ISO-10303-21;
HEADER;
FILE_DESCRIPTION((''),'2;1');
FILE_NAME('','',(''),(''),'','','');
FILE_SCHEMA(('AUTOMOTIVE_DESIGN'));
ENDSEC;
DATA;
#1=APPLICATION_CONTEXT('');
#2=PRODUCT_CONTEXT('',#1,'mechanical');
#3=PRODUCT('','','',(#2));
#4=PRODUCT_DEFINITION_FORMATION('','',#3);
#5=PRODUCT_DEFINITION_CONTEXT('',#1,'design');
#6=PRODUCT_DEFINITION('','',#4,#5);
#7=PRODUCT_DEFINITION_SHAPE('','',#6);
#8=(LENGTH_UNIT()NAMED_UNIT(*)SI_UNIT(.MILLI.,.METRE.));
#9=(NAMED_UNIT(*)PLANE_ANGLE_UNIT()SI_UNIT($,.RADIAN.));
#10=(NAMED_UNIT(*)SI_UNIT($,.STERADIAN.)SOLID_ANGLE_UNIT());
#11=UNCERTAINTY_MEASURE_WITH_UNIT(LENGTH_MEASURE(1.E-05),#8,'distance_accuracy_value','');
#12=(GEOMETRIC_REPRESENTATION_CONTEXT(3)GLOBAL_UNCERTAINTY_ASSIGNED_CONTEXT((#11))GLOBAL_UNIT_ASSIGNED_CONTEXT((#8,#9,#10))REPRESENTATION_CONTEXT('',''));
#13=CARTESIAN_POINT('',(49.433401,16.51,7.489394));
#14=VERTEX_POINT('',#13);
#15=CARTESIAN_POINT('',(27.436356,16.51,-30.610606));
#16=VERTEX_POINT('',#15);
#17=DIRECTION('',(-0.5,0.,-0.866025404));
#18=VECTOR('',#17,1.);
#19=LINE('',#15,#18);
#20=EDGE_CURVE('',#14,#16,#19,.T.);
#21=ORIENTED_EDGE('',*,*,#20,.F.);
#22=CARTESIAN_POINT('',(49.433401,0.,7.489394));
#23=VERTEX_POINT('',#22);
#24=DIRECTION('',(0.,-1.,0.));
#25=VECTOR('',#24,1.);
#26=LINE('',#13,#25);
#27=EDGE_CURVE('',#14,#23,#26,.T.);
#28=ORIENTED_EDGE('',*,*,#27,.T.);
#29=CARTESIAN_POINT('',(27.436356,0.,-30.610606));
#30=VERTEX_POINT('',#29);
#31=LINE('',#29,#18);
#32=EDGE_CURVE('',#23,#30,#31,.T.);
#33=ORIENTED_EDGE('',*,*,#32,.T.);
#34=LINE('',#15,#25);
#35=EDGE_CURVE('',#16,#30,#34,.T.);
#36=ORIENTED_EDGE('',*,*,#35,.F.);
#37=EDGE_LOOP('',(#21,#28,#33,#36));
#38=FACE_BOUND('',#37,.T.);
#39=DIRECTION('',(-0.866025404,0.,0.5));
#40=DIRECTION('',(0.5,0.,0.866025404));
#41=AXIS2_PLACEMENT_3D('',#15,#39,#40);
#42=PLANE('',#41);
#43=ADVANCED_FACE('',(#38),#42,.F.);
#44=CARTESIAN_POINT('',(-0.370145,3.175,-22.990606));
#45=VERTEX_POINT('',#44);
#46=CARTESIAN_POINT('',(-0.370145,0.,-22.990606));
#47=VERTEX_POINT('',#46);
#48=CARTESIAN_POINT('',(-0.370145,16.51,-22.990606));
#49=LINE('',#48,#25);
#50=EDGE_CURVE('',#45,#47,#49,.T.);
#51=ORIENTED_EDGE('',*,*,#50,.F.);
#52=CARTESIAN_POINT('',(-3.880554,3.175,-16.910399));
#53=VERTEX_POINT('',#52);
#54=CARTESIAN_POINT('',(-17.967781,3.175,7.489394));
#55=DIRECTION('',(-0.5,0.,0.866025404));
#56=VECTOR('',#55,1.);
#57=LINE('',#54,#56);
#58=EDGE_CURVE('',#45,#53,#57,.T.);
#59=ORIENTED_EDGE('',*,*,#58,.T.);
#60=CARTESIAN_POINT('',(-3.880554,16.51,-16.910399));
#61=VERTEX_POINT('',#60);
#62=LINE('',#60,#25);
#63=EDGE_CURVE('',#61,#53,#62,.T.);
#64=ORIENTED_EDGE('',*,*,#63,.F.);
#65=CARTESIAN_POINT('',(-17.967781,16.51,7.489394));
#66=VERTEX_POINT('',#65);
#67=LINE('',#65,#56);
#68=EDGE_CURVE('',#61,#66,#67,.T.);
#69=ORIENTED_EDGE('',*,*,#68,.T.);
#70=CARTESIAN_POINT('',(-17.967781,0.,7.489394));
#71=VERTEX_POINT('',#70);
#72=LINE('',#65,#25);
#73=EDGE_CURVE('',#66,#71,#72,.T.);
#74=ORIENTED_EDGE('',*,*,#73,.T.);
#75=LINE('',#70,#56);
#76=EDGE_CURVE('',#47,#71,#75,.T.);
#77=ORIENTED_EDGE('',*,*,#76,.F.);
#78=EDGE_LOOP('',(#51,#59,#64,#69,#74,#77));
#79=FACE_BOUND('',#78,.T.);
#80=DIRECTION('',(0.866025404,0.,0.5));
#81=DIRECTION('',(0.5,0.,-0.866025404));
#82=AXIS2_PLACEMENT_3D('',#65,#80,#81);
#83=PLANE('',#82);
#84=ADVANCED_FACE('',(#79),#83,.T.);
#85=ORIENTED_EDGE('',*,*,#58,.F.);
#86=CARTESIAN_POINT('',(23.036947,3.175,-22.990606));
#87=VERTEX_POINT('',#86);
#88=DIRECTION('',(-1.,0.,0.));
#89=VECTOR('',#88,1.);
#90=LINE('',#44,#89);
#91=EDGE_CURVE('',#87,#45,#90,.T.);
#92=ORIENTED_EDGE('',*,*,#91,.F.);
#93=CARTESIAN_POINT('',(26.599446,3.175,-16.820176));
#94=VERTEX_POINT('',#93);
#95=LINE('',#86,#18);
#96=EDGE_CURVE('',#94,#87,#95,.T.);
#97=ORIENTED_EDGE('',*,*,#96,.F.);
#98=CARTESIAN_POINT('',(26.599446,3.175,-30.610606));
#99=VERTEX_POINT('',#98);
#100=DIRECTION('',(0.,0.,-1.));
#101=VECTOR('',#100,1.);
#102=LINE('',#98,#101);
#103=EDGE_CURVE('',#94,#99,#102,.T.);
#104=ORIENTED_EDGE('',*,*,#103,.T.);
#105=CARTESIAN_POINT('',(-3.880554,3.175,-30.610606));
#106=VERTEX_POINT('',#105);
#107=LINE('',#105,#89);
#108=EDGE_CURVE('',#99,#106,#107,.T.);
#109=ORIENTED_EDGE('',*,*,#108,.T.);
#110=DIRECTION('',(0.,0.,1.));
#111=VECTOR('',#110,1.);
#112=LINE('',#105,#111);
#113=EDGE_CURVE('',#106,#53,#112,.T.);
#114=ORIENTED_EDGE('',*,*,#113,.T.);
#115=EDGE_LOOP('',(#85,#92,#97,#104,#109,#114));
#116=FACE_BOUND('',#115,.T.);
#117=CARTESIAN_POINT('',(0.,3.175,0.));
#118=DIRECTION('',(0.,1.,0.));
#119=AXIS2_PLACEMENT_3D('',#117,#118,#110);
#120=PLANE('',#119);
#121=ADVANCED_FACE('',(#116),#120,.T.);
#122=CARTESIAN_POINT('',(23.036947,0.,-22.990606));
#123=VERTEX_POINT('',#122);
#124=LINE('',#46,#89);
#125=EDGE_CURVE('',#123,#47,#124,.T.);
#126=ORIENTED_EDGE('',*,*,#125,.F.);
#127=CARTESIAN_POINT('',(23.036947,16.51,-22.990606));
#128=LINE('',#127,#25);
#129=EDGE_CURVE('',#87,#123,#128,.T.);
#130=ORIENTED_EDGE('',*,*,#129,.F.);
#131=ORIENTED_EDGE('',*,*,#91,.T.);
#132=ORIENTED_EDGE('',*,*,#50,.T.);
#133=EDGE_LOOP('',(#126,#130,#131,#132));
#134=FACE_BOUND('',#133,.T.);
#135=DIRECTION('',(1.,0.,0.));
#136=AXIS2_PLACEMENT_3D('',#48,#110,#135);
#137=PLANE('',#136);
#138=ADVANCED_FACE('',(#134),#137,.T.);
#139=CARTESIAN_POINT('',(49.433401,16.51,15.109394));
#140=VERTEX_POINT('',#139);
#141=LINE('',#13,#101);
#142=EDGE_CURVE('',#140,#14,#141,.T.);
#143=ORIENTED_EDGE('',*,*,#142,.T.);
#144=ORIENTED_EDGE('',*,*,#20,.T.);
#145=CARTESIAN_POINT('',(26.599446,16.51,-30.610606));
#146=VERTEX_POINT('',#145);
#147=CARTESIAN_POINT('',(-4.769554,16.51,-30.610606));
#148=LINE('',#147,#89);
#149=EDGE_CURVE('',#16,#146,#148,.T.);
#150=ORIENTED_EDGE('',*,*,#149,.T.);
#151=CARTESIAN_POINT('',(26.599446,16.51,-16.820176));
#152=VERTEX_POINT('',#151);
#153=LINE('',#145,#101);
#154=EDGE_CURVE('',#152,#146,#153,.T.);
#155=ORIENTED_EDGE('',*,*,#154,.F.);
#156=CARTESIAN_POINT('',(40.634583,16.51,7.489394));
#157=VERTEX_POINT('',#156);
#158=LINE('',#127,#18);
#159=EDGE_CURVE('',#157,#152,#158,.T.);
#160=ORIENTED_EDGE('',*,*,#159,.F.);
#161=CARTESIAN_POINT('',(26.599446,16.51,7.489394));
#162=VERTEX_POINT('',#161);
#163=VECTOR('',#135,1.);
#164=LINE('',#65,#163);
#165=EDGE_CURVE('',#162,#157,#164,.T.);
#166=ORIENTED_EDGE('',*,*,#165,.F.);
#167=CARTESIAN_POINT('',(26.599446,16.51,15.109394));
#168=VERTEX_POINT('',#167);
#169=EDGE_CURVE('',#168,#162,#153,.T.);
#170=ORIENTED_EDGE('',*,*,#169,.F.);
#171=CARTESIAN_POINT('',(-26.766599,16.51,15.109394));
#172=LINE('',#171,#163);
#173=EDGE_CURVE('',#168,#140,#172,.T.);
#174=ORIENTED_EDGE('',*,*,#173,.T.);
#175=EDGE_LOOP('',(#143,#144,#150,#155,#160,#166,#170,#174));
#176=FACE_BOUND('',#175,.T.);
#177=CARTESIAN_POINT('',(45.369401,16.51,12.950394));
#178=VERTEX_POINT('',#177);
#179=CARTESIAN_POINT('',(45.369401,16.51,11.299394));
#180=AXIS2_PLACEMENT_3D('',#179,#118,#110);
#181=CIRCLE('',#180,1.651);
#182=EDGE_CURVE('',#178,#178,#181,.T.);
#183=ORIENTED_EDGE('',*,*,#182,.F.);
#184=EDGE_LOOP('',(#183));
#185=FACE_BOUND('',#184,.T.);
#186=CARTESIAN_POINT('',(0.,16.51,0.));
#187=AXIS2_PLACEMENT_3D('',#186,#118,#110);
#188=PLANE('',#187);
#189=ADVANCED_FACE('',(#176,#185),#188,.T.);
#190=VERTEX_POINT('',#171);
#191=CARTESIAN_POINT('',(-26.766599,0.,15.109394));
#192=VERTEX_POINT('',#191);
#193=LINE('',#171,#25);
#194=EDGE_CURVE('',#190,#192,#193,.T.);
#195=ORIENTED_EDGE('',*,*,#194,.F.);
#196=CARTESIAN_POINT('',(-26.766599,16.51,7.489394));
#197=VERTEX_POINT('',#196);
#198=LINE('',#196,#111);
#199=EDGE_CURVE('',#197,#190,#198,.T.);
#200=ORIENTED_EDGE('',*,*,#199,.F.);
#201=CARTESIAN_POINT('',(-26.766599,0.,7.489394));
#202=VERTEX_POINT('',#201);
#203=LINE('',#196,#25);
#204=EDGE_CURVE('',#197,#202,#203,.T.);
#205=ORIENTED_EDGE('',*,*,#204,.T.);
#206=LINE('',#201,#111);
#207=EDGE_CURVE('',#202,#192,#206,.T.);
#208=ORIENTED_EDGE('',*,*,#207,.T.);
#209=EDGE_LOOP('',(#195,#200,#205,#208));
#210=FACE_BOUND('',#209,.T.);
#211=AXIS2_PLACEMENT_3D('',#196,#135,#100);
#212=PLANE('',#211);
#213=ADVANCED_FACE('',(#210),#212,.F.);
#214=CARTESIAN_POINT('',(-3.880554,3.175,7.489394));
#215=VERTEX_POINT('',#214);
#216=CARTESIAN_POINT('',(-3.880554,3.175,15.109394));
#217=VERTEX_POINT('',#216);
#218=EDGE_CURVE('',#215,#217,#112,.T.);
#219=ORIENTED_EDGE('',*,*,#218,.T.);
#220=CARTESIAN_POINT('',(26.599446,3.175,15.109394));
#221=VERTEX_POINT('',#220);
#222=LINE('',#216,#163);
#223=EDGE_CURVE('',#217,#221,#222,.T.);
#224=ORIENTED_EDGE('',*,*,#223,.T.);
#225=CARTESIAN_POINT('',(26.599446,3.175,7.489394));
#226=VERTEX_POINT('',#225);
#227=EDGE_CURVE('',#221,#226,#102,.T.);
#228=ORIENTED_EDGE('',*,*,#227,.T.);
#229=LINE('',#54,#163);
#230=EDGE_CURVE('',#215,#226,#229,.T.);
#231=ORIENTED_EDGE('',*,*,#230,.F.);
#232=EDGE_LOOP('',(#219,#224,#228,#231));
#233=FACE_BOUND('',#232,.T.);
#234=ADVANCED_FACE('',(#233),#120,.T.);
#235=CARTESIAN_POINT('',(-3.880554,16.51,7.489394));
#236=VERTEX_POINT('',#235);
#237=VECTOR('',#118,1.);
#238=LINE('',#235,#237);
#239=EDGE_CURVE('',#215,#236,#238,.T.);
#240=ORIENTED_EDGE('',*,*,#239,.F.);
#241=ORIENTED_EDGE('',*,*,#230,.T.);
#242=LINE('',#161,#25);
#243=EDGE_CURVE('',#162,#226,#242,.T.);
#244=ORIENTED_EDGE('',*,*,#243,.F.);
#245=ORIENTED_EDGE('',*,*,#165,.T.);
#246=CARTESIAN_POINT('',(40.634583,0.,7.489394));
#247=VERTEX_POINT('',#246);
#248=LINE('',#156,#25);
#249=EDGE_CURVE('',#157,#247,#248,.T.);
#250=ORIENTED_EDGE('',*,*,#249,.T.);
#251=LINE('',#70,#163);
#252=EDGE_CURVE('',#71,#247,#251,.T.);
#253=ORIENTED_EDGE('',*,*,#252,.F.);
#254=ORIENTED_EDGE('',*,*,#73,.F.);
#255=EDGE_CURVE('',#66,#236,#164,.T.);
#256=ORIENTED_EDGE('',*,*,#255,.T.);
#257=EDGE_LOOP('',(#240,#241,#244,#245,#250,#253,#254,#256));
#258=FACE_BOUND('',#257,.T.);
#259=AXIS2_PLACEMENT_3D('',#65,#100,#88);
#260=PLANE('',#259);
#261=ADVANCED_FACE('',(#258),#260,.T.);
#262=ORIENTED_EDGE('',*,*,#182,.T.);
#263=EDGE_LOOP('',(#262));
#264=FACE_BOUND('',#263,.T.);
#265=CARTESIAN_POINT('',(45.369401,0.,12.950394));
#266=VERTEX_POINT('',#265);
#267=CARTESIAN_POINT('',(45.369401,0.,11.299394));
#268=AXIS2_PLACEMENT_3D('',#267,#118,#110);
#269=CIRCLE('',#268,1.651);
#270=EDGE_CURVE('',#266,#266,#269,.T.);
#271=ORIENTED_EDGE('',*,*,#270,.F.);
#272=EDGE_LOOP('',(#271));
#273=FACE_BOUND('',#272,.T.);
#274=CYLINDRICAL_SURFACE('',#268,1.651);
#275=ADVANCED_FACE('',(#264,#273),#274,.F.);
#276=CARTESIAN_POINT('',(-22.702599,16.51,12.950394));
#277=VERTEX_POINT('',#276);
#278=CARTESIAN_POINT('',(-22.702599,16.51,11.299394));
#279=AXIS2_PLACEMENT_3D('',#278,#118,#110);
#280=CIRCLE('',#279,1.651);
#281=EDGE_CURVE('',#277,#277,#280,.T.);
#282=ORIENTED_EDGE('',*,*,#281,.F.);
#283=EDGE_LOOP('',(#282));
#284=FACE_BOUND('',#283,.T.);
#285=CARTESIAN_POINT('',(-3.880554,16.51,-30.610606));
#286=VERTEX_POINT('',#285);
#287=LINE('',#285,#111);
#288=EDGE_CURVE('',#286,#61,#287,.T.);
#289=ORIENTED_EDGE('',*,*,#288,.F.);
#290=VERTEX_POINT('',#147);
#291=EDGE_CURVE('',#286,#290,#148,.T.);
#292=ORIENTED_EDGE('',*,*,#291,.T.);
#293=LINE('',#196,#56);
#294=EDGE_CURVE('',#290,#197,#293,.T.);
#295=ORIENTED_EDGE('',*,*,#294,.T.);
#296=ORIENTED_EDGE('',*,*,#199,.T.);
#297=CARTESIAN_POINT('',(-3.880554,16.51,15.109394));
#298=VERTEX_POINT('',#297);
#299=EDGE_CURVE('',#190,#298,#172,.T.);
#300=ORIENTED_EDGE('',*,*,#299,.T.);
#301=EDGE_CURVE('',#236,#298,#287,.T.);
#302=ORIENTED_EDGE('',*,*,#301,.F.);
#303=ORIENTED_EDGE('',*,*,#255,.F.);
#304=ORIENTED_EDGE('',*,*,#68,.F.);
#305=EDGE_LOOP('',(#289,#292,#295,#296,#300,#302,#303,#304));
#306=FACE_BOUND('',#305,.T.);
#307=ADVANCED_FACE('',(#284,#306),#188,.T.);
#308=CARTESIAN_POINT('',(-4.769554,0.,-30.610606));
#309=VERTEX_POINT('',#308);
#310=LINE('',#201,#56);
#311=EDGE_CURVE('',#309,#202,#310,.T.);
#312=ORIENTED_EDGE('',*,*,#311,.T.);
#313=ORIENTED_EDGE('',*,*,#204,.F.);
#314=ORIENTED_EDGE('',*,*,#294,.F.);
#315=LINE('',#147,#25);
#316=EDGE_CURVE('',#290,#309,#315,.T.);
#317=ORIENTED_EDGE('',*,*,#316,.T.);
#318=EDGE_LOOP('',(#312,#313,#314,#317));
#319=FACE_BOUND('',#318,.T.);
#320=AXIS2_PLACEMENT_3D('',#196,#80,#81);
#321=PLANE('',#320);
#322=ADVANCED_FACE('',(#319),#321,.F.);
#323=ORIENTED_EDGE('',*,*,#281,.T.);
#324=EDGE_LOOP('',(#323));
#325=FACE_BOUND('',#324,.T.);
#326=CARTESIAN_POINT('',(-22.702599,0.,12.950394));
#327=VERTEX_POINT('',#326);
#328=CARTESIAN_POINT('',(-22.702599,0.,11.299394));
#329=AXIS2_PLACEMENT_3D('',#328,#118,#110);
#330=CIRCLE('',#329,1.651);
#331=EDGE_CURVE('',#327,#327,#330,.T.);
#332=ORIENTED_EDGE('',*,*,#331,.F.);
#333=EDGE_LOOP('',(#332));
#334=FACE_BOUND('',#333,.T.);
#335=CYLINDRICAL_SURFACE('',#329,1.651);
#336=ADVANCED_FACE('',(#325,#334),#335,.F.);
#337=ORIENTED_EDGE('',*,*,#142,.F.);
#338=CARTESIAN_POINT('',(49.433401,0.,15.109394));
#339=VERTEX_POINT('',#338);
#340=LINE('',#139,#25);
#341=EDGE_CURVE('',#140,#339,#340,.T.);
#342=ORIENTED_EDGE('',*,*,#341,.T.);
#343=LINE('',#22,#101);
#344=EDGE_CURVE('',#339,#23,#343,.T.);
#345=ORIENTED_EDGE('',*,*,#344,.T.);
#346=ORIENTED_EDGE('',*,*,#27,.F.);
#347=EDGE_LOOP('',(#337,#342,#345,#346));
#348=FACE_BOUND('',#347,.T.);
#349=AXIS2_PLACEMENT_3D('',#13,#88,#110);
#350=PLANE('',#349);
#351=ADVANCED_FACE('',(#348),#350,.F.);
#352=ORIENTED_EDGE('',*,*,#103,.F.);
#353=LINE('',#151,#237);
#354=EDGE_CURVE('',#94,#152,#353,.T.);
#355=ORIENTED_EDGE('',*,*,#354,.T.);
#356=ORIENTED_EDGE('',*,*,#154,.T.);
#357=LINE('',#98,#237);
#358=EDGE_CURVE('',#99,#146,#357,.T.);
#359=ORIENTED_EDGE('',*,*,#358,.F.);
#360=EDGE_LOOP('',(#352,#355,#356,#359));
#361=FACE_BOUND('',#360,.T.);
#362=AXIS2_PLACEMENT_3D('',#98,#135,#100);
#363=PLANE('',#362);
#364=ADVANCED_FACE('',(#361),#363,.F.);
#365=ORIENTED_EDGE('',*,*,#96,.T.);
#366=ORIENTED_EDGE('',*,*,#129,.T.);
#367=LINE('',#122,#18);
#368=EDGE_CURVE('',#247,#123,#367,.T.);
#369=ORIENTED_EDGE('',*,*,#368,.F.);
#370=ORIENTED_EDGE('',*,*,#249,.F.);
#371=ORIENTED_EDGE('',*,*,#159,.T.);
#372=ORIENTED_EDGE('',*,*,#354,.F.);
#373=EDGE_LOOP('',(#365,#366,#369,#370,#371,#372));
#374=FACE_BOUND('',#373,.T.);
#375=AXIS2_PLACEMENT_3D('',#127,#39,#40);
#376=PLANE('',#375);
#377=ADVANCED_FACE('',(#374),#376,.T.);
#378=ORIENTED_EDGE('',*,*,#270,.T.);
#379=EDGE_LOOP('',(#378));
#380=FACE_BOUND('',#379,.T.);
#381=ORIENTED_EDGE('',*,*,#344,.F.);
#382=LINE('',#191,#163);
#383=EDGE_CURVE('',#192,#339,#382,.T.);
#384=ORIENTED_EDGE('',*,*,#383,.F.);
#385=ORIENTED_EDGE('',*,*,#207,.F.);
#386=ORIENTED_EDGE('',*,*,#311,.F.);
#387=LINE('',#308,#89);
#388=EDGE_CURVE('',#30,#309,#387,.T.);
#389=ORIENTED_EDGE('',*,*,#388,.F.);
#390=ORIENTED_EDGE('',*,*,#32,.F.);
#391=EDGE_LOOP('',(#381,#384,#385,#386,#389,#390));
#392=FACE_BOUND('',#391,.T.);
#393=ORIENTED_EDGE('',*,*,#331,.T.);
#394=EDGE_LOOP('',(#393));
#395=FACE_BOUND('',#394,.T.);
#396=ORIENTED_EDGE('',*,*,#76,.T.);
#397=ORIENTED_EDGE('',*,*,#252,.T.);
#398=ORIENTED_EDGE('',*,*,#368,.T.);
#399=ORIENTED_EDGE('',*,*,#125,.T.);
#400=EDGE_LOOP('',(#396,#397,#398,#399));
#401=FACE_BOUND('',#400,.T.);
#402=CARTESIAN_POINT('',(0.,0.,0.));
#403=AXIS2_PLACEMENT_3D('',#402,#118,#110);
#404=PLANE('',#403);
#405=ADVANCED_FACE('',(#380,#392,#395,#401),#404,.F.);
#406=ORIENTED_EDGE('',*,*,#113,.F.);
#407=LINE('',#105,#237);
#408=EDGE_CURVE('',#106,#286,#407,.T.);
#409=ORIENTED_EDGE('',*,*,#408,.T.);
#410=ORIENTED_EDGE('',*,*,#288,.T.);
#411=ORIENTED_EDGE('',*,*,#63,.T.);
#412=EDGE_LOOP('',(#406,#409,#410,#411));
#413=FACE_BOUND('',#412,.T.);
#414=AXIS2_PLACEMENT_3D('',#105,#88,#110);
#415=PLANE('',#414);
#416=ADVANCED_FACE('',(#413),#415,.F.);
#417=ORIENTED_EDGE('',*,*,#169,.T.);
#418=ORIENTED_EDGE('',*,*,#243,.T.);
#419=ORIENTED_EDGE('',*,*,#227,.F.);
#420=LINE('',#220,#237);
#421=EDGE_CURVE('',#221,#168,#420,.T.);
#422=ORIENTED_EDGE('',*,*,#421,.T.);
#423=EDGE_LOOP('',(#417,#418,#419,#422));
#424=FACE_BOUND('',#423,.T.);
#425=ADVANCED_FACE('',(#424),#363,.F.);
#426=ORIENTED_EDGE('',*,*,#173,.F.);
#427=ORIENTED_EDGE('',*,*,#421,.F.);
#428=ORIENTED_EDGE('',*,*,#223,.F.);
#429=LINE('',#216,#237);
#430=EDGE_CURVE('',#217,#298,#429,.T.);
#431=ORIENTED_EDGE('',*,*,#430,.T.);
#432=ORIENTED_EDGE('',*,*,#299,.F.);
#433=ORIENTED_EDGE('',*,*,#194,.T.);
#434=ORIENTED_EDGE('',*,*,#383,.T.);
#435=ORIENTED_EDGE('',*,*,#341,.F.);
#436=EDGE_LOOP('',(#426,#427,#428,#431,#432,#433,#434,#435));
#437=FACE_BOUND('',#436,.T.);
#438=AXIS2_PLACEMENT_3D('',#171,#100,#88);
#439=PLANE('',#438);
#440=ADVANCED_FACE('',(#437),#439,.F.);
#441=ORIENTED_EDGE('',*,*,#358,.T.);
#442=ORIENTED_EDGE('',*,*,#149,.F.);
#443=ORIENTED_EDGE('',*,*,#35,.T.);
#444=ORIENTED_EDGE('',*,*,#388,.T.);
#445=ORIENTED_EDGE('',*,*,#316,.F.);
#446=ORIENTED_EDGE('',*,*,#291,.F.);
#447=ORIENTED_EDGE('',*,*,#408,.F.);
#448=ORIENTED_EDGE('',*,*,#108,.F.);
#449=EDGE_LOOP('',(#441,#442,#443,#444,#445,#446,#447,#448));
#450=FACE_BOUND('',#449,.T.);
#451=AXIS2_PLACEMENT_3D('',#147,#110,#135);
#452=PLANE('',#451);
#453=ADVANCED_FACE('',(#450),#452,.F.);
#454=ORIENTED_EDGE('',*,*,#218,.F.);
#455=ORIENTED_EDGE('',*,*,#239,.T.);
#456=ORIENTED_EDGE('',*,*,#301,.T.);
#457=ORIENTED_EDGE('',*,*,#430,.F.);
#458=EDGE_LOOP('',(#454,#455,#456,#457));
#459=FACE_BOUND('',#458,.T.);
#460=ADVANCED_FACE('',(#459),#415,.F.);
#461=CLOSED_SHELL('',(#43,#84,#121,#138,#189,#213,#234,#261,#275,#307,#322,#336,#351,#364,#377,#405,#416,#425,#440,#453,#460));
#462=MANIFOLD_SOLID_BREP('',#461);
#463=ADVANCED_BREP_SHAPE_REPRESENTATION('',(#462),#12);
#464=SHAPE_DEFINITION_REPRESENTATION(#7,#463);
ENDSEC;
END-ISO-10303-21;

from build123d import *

# Parameters (mm, degrees)
BOSS_EXTRUDE1_DEPTH = 16.51
SKETCH2_R           = 1.651
CUT_EXTRUDE1_DEPTH  = 16.51
SKETCH3_W           = 30.48
SKETCH3_H           = 45.72
CUT_EXTRUDE2_DEPTH  = 13.335


with BuildPart() as part:
    # Sketch1 → Boss-Extrude1 (new body)
    with BuildSketch(Plane(origin=(0, 0, 0), x_dir=(1, 0, 0), z_dir=(0, 1, 0))):
        Polygon((-26.766598834, -7.489394136), (-4.769553578, 30.610605864), (27.43635591, 30.610605864), (49.433401166, -7.489394136), (49.433401166, -15.109394136), (-26.766598834, -15.109394136), align=None)
        Polygon((-17.967780731, -7.489394136), (40.634583064, -7.489394136), (23.036946859, 22.990605864), (-0.370144526, 22.990605864), align=None, mode=Mode.SUBTRACT)
    extrude(amount=BOSS_EXTRUDE1_DEPTH)

    # Sketch2 → Cut-Extrude1 (cut)
    with BuildSketch(Plane(origin=(0, 16.51, 0), x_dir=(1, 0, 0), z_dir=(0, 1, 0))):
        with Locations(Location((-22.702598834, -11.299394136, 0), (0, 0, 270))):
            Circle(SKETCH2_R)
        with Locations(Location((45.369401166, -11.299394136, 0), (0, 0, 270))):
            Circle(SKETCH2_R)
    extrude(amount=-CUT_EXTRUDE1_DEPTH, mode=Mode.SUBTRACT)

    # Sketch3 → Cut-Extrude2 (cut)
    with BuildSketch(Plane(origin=(0, 16.51, 0), x_dir=(1, 0, 0), z_dir=(0, 1, 0))):
        with Locations((11.359446422, 7.750605864)):
            Rectangle(SKETCH3_W, SKETCH3_H)
    extrude(amount=-CUT_EXTRUDE2_DEPTH, mode=Mode.SUBTRACT)


solid = part.part
